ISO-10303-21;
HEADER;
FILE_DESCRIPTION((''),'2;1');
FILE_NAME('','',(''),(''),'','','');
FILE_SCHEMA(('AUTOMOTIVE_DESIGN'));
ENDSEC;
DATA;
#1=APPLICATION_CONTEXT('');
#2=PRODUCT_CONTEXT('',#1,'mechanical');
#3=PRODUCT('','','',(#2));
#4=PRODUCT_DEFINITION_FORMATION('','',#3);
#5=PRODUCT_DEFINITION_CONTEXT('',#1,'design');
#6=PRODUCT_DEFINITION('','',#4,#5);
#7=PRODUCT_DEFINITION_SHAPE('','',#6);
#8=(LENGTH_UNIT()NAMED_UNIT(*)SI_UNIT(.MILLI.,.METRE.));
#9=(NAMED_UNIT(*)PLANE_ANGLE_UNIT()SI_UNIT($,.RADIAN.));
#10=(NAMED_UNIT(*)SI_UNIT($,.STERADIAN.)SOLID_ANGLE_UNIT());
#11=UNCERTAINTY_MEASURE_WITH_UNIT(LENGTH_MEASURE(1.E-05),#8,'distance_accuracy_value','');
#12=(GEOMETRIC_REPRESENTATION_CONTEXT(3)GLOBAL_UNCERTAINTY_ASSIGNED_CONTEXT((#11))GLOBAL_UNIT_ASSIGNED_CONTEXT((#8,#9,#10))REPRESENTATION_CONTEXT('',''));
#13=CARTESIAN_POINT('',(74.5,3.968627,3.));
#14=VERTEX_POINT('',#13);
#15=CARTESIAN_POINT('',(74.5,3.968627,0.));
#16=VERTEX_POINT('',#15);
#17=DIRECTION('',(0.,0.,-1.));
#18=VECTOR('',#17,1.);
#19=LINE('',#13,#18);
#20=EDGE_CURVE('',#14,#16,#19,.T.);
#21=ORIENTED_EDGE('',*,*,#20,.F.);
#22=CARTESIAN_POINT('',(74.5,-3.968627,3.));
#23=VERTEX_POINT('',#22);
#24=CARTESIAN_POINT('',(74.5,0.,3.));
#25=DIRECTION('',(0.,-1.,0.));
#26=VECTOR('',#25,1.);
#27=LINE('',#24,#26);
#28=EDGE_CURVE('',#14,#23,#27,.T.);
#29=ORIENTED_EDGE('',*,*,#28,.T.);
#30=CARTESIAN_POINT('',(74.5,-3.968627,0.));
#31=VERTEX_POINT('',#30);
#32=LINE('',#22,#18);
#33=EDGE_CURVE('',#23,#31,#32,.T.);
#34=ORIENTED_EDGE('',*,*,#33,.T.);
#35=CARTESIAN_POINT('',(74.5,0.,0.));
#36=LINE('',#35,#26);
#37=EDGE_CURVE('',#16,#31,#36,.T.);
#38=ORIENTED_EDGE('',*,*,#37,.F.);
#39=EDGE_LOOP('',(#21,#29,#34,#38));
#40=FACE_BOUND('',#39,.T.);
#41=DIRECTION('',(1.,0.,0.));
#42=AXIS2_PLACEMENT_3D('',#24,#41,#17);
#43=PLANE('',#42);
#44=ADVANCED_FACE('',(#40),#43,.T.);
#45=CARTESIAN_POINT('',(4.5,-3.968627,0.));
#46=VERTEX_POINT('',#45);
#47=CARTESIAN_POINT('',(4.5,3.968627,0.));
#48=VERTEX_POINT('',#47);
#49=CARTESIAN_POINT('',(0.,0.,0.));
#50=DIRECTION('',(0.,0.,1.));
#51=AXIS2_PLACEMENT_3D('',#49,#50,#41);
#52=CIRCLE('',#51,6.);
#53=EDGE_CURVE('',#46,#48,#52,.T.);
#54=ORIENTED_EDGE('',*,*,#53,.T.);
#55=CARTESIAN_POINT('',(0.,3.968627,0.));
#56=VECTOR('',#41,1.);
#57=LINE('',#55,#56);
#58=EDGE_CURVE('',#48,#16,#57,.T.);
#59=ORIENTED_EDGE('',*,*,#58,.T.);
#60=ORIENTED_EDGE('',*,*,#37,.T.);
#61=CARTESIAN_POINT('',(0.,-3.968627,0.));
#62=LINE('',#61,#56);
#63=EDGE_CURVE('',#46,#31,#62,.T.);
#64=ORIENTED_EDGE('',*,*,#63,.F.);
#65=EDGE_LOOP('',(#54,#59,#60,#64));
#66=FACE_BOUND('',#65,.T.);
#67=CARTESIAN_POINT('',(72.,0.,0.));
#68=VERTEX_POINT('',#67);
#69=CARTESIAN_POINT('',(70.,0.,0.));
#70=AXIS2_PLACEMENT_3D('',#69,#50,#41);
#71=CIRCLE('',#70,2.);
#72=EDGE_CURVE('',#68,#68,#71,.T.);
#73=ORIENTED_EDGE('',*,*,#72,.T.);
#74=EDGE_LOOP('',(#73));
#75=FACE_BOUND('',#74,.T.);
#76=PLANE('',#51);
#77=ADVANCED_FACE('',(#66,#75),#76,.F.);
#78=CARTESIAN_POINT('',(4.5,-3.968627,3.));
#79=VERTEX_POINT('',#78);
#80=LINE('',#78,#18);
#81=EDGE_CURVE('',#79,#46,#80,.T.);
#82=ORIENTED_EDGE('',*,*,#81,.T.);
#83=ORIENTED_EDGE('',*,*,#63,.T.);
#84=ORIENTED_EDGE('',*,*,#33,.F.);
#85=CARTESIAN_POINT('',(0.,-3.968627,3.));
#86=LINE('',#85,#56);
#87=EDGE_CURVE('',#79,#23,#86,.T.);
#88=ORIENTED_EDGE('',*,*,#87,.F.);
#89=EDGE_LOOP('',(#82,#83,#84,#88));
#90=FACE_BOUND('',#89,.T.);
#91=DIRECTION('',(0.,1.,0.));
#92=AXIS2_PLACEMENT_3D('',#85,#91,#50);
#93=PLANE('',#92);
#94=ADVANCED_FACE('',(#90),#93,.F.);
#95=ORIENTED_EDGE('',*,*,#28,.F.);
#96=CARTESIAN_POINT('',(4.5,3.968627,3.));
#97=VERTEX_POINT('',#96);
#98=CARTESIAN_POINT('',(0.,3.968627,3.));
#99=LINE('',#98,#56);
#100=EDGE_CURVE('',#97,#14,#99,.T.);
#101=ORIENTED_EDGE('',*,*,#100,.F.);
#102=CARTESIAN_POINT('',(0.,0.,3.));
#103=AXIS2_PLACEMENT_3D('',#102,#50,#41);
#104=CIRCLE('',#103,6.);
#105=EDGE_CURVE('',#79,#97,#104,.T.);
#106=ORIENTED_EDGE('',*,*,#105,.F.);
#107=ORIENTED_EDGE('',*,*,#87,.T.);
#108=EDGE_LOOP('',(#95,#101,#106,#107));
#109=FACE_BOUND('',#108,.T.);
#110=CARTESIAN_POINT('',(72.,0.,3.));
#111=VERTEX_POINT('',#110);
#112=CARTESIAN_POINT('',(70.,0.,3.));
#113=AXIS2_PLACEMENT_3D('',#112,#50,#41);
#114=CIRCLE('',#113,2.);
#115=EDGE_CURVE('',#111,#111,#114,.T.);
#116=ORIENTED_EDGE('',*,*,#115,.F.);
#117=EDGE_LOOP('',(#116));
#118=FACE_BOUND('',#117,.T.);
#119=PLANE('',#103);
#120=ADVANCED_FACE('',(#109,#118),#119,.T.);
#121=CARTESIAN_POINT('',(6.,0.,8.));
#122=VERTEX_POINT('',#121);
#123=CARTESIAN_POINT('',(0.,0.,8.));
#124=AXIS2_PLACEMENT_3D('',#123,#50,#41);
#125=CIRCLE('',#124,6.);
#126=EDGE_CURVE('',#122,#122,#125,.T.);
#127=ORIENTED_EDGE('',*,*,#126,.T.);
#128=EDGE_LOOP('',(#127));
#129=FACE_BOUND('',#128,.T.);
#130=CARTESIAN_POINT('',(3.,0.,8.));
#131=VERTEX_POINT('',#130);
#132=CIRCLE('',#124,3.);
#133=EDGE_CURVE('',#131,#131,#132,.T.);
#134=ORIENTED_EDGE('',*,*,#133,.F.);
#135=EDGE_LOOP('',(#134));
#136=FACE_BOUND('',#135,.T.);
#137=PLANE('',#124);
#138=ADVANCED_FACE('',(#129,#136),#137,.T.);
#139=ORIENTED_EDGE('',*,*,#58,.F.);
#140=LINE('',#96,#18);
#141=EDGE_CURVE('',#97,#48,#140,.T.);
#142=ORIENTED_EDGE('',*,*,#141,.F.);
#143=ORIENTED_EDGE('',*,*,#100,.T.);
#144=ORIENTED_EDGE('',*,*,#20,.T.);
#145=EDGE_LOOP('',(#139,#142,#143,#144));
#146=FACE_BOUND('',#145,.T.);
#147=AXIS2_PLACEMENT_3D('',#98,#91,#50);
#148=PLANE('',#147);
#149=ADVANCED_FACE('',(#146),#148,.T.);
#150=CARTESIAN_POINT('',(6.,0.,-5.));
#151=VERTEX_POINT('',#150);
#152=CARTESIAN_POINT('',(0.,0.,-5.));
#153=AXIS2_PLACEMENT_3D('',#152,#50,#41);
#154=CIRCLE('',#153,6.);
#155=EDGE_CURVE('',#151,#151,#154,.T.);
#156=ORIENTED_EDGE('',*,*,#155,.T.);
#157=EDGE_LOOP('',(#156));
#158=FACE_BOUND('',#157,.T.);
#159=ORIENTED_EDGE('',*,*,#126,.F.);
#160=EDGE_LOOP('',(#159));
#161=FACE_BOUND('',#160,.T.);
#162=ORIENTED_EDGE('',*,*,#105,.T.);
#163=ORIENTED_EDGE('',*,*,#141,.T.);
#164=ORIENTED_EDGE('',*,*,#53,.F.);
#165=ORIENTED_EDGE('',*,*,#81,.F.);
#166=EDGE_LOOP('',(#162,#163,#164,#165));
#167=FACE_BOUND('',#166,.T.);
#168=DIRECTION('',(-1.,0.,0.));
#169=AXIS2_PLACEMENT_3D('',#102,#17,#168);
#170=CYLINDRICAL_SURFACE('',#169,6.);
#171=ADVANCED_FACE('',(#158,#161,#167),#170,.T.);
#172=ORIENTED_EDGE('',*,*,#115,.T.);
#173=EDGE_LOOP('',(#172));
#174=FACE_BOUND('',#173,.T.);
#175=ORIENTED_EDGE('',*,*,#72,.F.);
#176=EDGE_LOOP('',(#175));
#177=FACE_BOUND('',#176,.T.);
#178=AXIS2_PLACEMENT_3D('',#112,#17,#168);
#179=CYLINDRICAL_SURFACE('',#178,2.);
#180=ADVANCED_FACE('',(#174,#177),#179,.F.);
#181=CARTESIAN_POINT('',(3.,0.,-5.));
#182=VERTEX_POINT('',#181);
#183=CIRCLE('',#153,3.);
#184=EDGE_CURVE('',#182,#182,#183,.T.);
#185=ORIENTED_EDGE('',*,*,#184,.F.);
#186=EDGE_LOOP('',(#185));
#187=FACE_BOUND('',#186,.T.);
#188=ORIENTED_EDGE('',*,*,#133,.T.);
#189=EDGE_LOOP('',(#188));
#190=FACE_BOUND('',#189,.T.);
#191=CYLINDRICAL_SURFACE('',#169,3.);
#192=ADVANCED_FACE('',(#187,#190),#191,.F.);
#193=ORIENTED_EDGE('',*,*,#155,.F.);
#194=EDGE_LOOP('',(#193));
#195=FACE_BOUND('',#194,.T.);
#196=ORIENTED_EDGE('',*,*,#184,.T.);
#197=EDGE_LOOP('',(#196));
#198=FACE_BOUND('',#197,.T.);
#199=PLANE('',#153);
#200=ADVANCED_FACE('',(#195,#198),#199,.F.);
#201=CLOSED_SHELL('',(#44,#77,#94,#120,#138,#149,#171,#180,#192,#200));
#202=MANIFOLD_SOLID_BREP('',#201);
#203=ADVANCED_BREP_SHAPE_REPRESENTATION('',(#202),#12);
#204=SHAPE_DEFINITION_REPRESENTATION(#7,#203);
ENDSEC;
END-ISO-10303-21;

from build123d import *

# Parameters (mm, degrees)
SKETCH1_R                = 6
SKETCH1_R_2              = 3
SKETCH1_W                = 70
SKETCH1_H                = 7.937253934
SKETCH1_R_3              = 2
BOSS_EXTRUDE1_DEPTH      = 3
SKETCH2_R                = 6
SKETCH2_R_2              = 3
BOSS_EXTRUDE2_DEPTH      = 5
BOSS_EXTRUDE2_DEPTH_BACK = 8


with BuildPart() as part:
    # Sketch1 → Boss-Extrude1 (new body)
    with BuildSketch(Plane.XY):
        Circle(SKETCH1_R)
        Circle(SKETCH1_R_2, mode=Mode.SUBTRACT)
        with Locations((39.5, 0)):
            Rectangle(SKETCH1_W, SKETCH1_H)
        with Locations((70, 0)):
            Circle(SKETCH1_R_3, mode=Mode.SUBTRACT)
    extrude(amount=BOSS_EXTRUDE1_DEPTH)

    # Sketch2 → Boss-Extrude2 (add, two sides)
    with BuildSketch(Plane.XY.offset(3)) as boss_extrude2_sk:
        Circle(SKETCH2_R)
        Circle(SKETCH2_R_2, mode=Mode.SUBTRACT)
    extrude(amount=BOSS_EXTRUDE2_DEPTH)
    extrude(boss_extrude2_sk.sketch, amount=-BOSS_EXTRUDE2_DEPTH_BACK)


solid = part.part
